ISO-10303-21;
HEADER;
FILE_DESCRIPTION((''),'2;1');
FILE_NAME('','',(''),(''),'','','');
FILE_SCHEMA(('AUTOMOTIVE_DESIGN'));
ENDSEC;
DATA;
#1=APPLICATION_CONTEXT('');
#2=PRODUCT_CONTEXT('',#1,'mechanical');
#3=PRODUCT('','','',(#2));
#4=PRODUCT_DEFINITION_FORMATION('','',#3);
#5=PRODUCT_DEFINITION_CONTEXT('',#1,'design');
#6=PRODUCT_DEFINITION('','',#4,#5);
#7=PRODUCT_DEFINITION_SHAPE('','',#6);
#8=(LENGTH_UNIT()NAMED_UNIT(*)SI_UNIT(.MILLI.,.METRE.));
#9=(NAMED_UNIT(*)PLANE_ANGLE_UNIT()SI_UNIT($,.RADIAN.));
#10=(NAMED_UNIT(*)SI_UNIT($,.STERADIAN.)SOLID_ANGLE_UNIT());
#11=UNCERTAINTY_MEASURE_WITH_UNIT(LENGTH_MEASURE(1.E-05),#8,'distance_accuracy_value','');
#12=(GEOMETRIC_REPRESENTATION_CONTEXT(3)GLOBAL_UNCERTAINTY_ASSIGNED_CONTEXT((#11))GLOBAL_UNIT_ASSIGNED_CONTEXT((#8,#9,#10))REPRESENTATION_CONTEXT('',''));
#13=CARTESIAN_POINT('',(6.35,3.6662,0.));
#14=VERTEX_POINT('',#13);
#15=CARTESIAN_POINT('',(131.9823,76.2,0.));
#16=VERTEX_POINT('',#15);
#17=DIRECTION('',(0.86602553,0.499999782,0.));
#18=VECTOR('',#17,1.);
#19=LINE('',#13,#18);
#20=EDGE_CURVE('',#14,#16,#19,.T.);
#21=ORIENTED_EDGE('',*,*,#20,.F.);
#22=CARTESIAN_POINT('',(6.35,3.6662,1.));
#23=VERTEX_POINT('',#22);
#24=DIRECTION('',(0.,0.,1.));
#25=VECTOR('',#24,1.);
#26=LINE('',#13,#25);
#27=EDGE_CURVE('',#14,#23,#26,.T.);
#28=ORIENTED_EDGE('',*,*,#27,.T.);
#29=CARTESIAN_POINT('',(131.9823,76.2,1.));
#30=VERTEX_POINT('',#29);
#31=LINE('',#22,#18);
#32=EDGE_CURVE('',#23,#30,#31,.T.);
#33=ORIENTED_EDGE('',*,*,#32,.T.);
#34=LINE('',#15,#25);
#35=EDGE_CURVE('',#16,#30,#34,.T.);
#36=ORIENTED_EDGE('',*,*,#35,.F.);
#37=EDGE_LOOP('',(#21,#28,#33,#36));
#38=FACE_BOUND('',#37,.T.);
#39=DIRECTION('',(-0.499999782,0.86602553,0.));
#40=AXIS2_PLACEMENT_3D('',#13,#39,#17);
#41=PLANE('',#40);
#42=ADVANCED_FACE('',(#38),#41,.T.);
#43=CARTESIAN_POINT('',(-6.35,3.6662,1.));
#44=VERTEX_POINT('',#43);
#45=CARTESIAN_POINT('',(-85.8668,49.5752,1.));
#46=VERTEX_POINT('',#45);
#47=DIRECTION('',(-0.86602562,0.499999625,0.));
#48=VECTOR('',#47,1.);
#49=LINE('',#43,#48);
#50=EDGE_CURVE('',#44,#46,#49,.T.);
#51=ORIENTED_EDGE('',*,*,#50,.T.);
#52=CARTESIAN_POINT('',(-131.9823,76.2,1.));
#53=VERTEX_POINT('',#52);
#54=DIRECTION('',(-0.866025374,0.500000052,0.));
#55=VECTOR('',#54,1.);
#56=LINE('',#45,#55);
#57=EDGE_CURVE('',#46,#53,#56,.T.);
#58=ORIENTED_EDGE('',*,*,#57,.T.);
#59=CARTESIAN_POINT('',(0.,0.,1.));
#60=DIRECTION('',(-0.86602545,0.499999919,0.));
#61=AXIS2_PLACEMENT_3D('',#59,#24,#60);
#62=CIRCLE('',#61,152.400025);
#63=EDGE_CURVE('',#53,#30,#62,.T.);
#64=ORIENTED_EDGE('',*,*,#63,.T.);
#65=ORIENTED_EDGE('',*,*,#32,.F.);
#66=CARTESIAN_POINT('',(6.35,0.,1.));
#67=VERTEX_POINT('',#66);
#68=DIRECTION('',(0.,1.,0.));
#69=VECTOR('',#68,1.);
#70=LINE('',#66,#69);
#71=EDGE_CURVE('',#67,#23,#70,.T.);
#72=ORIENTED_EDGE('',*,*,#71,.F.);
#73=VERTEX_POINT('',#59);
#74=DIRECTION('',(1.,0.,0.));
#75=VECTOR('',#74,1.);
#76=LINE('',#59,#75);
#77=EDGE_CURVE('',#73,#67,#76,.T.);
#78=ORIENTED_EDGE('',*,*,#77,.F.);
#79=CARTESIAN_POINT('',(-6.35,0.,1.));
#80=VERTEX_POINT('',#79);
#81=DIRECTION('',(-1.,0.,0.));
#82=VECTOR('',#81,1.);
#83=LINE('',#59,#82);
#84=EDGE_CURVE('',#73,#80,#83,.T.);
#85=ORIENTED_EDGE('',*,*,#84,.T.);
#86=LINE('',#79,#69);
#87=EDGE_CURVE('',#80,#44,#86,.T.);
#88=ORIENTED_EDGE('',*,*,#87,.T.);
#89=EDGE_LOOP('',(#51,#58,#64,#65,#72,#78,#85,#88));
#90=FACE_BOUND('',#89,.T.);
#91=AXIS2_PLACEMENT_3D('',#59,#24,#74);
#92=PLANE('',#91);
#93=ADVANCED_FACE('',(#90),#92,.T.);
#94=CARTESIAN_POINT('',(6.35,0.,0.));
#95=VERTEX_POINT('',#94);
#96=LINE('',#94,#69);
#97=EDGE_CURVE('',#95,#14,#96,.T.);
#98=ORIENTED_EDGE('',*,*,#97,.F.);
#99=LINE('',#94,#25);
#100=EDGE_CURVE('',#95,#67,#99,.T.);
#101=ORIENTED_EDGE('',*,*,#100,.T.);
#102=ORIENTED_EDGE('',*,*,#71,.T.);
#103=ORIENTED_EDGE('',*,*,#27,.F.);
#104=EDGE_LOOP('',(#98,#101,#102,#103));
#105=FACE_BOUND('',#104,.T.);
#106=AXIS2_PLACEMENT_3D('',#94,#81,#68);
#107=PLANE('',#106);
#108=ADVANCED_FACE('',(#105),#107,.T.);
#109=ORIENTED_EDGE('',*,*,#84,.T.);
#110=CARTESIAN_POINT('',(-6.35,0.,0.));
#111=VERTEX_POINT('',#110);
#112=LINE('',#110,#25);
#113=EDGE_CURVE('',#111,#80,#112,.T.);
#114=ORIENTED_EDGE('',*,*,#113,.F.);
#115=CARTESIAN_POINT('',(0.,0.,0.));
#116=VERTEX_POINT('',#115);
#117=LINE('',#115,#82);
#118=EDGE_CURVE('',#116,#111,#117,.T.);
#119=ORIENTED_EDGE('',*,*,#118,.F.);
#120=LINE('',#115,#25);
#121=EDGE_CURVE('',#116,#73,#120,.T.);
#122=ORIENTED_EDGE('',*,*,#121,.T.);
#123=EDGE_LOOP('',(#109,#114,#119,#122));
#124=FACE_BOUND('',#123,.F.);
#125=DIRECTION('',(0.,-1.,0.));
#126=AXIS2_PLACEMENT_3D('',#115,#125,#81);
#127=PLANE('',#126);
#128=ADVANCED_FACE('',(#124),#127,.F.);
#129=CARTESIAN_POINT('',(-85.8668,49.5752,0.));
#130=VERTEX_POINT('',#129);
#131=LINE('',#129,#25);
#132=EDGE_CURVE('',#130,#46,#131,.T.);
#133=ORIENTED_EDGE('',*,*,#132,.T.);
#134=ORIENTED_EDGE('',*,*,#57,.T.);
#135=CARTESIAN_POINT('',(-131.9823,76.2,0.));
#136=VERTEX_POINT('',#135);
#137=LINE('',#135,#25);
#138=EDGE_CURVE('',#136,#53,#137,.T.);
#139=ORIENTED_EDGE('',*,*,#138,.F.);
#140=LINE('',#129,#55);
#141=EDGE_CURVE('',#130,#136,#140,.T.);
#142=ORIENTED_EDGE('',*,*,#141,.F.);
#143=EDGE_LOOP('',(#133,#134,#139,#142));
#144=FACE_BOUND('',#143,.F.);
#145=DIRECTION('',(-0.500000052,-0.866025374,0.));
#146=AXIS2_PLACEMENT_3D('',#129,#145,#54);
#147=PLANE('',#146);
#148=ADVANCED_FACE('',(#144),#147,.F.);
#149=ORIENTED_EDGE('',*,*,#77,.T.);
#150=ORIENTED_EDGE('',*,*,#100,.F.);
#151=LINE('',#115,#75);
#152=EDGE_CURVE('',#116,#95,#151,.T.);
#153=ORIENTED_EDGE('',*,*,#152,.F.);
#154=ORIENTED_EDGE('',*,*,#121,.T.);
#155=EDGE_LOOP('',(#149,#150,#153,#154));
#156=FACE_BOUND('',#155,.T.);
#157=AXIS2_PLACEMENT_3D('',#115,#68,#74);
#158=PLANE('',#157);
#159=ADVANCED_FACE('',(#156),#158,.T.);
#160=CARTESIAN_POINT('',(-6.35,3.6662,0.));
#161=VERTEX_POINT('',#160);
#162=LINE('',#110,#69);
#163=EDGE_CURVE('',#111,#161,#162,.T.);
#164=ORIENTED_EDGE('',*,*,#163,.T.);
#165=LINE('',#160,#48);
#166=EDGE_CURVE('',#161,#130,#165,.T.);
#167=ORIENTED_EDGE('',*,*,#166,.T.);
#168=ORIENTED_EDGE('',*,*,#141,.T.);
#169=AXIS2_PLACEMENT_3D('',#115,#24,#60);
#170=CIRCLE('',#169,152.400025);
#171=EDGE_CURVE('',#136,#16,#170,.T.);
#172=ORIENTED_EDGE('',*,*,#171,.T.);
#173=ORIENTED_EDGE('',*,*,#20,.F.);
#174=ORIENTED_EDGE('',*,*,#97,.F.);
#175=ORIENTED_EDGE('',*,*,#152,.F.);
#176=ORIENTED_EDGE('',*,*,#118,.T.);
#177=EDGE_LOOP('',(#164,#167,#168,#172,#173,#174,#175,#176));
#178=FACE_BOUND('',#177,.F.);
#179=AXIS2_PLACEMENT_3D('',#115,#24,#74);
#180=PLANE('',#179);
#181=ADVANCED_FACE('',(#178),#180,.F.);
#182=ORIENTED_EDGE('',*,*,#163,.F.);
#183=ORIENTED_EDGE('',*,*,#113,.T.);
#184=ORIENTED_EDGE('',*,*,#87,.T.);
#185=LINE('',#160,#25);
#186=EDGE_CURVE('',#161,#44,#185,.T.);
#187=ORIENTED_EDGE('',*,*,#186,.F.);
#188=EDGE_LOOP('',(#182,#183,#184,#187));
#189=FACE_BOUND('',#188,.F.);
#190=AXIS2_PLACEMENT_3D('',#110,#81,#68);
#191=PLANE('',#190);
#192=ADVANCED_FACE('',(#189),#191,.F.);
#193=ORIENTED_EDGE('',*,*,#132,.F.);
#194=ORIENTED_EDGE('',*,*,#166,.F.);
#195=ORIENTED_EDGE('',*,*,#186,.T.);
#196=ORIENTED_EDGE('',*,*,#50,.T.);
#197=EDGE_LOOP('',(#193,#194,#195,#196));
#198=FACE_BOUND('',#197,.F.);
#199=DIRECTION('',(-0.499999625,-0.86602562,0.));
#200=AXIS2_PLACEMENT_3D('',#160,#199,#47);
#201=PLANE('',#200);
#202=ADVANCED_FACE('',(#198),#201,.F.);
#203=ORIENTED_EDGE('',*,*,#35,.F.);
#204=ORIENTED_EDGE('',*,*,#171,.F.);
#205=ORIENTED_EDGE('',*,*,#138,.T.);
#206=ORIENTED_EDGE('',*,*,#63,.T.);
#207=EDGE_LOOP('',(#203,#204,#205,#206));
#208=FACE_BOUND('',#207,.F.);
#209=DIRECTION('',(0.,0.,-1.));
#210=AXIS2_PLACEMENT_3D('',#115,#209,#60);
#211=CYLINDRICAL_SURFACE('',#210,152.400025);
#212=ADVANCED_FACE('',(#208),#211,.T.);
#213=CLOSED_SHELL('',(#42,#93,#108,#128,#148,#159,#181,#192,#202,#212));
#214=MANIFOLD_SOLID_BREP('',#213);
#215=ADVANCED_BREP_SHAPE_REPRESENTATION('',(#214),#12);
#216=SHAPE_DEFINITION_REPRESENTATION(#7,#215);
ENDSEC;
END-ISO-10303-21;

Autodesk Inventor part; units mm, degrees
ref_plane "YZ Plane" through (0, 0, 0) normal (1, 0, 0) x (0, 1, 0)
ref_plane "XZ Plane" through (0, 0, 0) normal (0, 1, 0) x (-1, 0, 0)
ref_plane "XY Plane" through (0, 0, 0) normal (0, 0, 1) x (1, 0, 0)
sketch "Sketch1" plane through (0, 0, 0) normal (0, 0, 1) x (1, 0, 0)
  arc A0 (-131.9823, 76.2) -> (131.9823, 76.2) centre (0, 0) ccw
  line L0 (6.35, 3.6662) -> (131.9823, 76.2)
  line L1 (0, 0) -> (152.4, 0) construction
  line L2 (-6.35, 3.6662) -> (-85.8668, 49.5752)
  line L3 (0, 0) -> (99.1504, 0) construction
  line L4 (-85.8668, 49.5752) -> (-131.9823, 76.2)
  line L5 (0, 0) -> (6.35, 0)
  line L6 (6.35, 0) -> (6.35, 3.6662)
  line L7 (0, 0) -> (-6.35, 0)
  line L8 (-6.35, 0) -> (-6.35, 3.6662)
  dimension "d0" = 304.8
  dimension "d1" = 30
  dimension "d2" = 150
  dimension "d3" = 6.35
  dimension "d4" = 6.35
extrude "Extrusion1" add sketch "Sketch1" along normal blind 1
properties part number "view2"
